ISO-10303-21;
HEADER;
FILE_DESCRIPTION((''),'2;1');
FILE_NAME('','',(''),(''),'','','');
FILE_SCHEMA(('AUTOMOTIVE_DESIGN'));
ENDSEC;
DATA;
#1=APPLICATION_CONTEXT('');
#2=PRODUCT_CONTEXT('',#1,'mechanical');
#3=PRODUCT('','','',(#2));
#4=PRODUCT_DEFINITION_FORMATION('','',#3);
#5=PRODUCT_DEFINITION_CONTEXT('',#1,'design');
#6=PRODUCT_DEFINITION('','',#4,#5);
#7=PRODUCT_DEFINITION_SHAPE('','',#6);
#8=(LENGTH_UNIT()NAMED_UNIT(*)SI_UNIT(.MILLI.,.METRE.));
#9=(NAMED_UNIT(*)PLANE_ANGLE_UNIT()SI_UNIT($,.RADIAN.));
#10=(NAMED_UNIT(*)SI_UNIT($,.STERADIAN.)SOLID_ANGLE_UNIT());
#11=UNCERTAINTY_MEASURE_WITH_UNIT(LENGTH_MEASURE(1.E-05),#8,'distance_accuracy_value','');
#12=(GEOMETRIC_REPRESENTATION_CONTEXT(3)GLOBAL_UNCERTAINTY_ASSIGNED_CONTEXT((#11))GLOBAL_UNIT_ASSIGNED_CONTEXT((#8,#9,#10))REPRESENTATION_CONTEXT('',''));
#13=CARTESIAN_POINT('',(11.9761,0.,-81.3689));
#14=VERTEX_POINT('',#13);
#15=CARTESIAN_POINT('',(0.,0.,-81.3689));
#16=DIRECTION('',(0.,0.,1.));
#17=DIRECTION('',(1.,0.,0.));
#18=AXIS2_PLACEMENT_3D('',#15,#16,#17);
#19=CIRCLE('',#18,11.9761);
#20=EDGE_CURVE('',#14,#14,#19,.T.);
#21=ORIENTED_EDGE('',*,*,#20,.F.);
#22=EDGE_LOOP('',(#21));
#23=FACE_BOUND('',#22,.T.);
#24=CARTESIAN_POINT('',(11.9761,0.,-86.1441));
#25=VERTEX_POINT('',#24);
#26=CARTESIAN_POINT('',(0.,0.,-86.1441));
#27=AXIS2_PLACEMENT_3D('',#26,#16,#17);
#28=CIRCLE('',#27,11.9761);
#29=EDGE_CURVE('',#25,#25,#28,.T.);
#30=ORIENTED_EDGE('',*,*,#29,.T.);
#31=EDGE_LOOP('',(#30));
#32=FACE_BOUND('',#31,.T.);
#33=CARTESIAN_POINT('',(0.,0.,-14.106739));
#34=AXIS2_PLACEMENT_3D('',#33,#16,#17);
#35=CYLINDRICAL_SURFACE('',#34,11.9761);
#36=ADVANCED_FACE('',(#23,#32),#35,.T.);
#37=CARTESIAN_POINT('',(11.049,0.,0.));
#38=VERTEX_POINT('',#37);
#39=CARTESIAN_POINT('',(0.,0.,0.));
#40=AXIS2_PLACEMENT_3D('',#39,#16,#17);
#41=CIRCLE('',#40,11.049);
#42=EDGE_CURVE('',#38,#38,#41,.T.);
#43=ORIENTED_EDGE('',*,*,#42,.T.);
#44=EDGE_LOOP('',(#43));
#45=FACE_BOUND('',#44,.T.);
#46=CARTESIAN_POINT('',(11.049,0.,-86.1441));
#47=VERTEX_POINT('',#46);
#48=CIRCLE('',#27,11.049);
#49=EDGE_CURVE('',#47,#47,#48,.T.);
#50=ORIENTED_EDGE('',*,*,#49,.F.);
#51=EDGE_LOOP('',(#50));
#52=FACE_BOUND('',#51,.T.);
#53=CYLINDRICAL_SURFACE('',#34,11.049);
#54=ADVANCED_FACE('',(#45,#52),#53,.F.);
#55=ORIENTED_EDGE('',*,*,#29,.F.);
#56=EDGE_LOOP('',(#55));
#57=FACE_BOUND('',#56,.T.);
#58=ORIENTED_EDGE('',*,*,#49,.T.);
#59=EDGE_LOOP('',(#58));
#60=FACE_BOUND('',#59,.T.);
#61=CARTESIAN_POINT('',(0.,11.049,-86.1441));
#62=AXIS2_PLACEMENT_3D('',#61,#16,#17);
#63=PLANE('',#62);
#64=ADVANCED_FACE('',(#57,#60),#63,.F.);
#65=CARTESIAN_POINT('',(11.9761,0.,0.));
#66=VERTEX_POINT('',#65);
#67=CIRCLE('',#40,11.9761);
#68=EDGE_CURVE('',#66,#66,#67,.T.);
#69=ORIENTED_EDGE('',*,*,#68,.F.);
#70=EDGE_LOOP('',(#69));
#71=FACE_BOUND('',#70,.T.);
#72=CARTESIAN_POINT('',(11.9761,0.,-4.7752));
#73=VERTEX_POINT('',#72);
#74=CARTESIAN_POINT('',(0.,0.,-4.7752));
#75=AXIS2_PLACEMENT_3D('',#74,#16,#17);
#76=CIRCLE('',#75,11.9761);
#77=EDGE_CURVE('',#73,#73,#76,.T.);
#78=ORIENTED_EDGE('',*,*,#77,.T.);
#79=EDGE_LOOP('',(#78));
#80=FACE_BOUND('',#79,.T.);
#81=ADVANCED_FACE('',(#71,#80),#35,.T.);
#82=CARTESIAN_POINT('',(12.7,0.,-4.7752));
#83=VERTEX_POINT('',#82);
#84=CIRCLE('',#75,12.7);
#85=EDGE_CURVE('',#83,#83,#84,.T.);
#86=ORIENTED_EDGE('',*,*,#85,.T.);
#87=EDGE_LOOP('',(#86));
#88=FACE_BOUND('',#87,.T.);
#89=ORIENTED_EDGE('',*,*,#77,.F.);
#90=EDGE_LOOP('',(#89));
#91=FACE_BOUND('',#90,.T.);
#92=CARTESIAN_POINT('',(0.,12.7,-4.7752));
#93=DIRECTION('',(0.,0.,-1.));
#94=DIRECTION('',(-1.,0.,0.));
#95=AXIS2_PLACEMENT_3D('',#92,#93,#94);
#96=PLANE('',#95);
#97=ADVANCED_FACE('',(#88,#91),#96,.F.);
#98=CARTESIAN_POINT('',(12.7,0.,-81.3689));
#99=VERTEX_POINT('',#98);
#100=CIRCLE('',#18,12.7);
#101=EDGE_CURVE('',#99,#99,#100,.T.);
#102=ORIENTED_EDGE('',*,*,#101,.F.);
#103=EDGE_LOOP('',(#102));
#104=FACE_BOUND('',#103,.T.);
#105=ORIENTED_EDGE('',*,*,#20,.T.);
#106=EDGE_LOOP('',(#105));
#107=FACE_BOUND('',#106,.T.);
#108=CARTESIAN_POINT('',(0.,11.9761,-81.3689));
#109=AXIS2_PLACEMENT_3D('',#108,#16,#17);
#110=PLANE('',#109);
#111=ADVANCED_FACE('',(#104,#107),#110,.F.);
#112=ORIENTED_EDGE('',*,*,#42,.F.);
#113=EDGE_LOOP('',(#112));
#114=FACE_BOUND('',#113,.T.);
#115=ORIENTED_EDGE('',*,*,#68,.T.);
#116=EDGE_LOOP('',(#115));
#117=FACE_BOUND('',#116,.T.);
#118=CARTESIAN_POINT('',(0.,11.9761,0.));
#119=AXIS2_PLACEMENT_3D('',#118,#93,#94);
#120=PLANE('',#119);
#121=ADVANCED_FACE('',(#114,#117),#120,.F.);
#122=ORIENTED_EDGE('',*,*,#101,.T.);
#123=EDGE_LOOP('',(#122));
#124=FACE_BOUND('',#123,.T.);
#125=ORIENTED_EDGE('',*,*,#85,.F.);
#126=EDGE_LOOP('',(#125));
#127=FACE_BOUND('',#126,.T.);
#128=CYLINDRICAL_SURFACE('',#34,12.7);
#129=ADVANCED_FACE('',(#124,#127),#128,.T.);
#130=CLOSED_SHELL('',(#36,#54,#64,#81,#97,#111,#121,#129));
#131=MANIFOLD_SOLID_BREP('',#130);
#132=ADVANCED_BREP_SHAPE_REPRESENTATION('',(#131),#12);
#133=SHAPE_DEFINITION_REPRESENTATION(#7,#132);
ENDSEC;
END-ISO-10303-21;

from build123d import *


with BuildPart() as part:
    # Sketch1 → Revolve1 (revolve)
    with BuildSketch(Plane(origin=(0, 0, 0), x_dir=(0, 0, -1), z_dir=(1, 0, 0)), mode=Mode.PRIVATE) as revolve1_sk:
        Polygon((0, 11.049), (86.1441, 11.049), (86.1441, 11.9761), (81.3689, 11.9761), (81.3689, 12.7), (4.7752, 12.7), (4.7752, 11.9761), (0, 11.9761), align=None)
    revolve(revolve1_sk.sketch.rotate(Axis((0, 0, -14.106738772), (0, 0, -1)), 90), axis=Axis((0, 0, -14.106738772), (0, 0, -1)))


solid = part.part
